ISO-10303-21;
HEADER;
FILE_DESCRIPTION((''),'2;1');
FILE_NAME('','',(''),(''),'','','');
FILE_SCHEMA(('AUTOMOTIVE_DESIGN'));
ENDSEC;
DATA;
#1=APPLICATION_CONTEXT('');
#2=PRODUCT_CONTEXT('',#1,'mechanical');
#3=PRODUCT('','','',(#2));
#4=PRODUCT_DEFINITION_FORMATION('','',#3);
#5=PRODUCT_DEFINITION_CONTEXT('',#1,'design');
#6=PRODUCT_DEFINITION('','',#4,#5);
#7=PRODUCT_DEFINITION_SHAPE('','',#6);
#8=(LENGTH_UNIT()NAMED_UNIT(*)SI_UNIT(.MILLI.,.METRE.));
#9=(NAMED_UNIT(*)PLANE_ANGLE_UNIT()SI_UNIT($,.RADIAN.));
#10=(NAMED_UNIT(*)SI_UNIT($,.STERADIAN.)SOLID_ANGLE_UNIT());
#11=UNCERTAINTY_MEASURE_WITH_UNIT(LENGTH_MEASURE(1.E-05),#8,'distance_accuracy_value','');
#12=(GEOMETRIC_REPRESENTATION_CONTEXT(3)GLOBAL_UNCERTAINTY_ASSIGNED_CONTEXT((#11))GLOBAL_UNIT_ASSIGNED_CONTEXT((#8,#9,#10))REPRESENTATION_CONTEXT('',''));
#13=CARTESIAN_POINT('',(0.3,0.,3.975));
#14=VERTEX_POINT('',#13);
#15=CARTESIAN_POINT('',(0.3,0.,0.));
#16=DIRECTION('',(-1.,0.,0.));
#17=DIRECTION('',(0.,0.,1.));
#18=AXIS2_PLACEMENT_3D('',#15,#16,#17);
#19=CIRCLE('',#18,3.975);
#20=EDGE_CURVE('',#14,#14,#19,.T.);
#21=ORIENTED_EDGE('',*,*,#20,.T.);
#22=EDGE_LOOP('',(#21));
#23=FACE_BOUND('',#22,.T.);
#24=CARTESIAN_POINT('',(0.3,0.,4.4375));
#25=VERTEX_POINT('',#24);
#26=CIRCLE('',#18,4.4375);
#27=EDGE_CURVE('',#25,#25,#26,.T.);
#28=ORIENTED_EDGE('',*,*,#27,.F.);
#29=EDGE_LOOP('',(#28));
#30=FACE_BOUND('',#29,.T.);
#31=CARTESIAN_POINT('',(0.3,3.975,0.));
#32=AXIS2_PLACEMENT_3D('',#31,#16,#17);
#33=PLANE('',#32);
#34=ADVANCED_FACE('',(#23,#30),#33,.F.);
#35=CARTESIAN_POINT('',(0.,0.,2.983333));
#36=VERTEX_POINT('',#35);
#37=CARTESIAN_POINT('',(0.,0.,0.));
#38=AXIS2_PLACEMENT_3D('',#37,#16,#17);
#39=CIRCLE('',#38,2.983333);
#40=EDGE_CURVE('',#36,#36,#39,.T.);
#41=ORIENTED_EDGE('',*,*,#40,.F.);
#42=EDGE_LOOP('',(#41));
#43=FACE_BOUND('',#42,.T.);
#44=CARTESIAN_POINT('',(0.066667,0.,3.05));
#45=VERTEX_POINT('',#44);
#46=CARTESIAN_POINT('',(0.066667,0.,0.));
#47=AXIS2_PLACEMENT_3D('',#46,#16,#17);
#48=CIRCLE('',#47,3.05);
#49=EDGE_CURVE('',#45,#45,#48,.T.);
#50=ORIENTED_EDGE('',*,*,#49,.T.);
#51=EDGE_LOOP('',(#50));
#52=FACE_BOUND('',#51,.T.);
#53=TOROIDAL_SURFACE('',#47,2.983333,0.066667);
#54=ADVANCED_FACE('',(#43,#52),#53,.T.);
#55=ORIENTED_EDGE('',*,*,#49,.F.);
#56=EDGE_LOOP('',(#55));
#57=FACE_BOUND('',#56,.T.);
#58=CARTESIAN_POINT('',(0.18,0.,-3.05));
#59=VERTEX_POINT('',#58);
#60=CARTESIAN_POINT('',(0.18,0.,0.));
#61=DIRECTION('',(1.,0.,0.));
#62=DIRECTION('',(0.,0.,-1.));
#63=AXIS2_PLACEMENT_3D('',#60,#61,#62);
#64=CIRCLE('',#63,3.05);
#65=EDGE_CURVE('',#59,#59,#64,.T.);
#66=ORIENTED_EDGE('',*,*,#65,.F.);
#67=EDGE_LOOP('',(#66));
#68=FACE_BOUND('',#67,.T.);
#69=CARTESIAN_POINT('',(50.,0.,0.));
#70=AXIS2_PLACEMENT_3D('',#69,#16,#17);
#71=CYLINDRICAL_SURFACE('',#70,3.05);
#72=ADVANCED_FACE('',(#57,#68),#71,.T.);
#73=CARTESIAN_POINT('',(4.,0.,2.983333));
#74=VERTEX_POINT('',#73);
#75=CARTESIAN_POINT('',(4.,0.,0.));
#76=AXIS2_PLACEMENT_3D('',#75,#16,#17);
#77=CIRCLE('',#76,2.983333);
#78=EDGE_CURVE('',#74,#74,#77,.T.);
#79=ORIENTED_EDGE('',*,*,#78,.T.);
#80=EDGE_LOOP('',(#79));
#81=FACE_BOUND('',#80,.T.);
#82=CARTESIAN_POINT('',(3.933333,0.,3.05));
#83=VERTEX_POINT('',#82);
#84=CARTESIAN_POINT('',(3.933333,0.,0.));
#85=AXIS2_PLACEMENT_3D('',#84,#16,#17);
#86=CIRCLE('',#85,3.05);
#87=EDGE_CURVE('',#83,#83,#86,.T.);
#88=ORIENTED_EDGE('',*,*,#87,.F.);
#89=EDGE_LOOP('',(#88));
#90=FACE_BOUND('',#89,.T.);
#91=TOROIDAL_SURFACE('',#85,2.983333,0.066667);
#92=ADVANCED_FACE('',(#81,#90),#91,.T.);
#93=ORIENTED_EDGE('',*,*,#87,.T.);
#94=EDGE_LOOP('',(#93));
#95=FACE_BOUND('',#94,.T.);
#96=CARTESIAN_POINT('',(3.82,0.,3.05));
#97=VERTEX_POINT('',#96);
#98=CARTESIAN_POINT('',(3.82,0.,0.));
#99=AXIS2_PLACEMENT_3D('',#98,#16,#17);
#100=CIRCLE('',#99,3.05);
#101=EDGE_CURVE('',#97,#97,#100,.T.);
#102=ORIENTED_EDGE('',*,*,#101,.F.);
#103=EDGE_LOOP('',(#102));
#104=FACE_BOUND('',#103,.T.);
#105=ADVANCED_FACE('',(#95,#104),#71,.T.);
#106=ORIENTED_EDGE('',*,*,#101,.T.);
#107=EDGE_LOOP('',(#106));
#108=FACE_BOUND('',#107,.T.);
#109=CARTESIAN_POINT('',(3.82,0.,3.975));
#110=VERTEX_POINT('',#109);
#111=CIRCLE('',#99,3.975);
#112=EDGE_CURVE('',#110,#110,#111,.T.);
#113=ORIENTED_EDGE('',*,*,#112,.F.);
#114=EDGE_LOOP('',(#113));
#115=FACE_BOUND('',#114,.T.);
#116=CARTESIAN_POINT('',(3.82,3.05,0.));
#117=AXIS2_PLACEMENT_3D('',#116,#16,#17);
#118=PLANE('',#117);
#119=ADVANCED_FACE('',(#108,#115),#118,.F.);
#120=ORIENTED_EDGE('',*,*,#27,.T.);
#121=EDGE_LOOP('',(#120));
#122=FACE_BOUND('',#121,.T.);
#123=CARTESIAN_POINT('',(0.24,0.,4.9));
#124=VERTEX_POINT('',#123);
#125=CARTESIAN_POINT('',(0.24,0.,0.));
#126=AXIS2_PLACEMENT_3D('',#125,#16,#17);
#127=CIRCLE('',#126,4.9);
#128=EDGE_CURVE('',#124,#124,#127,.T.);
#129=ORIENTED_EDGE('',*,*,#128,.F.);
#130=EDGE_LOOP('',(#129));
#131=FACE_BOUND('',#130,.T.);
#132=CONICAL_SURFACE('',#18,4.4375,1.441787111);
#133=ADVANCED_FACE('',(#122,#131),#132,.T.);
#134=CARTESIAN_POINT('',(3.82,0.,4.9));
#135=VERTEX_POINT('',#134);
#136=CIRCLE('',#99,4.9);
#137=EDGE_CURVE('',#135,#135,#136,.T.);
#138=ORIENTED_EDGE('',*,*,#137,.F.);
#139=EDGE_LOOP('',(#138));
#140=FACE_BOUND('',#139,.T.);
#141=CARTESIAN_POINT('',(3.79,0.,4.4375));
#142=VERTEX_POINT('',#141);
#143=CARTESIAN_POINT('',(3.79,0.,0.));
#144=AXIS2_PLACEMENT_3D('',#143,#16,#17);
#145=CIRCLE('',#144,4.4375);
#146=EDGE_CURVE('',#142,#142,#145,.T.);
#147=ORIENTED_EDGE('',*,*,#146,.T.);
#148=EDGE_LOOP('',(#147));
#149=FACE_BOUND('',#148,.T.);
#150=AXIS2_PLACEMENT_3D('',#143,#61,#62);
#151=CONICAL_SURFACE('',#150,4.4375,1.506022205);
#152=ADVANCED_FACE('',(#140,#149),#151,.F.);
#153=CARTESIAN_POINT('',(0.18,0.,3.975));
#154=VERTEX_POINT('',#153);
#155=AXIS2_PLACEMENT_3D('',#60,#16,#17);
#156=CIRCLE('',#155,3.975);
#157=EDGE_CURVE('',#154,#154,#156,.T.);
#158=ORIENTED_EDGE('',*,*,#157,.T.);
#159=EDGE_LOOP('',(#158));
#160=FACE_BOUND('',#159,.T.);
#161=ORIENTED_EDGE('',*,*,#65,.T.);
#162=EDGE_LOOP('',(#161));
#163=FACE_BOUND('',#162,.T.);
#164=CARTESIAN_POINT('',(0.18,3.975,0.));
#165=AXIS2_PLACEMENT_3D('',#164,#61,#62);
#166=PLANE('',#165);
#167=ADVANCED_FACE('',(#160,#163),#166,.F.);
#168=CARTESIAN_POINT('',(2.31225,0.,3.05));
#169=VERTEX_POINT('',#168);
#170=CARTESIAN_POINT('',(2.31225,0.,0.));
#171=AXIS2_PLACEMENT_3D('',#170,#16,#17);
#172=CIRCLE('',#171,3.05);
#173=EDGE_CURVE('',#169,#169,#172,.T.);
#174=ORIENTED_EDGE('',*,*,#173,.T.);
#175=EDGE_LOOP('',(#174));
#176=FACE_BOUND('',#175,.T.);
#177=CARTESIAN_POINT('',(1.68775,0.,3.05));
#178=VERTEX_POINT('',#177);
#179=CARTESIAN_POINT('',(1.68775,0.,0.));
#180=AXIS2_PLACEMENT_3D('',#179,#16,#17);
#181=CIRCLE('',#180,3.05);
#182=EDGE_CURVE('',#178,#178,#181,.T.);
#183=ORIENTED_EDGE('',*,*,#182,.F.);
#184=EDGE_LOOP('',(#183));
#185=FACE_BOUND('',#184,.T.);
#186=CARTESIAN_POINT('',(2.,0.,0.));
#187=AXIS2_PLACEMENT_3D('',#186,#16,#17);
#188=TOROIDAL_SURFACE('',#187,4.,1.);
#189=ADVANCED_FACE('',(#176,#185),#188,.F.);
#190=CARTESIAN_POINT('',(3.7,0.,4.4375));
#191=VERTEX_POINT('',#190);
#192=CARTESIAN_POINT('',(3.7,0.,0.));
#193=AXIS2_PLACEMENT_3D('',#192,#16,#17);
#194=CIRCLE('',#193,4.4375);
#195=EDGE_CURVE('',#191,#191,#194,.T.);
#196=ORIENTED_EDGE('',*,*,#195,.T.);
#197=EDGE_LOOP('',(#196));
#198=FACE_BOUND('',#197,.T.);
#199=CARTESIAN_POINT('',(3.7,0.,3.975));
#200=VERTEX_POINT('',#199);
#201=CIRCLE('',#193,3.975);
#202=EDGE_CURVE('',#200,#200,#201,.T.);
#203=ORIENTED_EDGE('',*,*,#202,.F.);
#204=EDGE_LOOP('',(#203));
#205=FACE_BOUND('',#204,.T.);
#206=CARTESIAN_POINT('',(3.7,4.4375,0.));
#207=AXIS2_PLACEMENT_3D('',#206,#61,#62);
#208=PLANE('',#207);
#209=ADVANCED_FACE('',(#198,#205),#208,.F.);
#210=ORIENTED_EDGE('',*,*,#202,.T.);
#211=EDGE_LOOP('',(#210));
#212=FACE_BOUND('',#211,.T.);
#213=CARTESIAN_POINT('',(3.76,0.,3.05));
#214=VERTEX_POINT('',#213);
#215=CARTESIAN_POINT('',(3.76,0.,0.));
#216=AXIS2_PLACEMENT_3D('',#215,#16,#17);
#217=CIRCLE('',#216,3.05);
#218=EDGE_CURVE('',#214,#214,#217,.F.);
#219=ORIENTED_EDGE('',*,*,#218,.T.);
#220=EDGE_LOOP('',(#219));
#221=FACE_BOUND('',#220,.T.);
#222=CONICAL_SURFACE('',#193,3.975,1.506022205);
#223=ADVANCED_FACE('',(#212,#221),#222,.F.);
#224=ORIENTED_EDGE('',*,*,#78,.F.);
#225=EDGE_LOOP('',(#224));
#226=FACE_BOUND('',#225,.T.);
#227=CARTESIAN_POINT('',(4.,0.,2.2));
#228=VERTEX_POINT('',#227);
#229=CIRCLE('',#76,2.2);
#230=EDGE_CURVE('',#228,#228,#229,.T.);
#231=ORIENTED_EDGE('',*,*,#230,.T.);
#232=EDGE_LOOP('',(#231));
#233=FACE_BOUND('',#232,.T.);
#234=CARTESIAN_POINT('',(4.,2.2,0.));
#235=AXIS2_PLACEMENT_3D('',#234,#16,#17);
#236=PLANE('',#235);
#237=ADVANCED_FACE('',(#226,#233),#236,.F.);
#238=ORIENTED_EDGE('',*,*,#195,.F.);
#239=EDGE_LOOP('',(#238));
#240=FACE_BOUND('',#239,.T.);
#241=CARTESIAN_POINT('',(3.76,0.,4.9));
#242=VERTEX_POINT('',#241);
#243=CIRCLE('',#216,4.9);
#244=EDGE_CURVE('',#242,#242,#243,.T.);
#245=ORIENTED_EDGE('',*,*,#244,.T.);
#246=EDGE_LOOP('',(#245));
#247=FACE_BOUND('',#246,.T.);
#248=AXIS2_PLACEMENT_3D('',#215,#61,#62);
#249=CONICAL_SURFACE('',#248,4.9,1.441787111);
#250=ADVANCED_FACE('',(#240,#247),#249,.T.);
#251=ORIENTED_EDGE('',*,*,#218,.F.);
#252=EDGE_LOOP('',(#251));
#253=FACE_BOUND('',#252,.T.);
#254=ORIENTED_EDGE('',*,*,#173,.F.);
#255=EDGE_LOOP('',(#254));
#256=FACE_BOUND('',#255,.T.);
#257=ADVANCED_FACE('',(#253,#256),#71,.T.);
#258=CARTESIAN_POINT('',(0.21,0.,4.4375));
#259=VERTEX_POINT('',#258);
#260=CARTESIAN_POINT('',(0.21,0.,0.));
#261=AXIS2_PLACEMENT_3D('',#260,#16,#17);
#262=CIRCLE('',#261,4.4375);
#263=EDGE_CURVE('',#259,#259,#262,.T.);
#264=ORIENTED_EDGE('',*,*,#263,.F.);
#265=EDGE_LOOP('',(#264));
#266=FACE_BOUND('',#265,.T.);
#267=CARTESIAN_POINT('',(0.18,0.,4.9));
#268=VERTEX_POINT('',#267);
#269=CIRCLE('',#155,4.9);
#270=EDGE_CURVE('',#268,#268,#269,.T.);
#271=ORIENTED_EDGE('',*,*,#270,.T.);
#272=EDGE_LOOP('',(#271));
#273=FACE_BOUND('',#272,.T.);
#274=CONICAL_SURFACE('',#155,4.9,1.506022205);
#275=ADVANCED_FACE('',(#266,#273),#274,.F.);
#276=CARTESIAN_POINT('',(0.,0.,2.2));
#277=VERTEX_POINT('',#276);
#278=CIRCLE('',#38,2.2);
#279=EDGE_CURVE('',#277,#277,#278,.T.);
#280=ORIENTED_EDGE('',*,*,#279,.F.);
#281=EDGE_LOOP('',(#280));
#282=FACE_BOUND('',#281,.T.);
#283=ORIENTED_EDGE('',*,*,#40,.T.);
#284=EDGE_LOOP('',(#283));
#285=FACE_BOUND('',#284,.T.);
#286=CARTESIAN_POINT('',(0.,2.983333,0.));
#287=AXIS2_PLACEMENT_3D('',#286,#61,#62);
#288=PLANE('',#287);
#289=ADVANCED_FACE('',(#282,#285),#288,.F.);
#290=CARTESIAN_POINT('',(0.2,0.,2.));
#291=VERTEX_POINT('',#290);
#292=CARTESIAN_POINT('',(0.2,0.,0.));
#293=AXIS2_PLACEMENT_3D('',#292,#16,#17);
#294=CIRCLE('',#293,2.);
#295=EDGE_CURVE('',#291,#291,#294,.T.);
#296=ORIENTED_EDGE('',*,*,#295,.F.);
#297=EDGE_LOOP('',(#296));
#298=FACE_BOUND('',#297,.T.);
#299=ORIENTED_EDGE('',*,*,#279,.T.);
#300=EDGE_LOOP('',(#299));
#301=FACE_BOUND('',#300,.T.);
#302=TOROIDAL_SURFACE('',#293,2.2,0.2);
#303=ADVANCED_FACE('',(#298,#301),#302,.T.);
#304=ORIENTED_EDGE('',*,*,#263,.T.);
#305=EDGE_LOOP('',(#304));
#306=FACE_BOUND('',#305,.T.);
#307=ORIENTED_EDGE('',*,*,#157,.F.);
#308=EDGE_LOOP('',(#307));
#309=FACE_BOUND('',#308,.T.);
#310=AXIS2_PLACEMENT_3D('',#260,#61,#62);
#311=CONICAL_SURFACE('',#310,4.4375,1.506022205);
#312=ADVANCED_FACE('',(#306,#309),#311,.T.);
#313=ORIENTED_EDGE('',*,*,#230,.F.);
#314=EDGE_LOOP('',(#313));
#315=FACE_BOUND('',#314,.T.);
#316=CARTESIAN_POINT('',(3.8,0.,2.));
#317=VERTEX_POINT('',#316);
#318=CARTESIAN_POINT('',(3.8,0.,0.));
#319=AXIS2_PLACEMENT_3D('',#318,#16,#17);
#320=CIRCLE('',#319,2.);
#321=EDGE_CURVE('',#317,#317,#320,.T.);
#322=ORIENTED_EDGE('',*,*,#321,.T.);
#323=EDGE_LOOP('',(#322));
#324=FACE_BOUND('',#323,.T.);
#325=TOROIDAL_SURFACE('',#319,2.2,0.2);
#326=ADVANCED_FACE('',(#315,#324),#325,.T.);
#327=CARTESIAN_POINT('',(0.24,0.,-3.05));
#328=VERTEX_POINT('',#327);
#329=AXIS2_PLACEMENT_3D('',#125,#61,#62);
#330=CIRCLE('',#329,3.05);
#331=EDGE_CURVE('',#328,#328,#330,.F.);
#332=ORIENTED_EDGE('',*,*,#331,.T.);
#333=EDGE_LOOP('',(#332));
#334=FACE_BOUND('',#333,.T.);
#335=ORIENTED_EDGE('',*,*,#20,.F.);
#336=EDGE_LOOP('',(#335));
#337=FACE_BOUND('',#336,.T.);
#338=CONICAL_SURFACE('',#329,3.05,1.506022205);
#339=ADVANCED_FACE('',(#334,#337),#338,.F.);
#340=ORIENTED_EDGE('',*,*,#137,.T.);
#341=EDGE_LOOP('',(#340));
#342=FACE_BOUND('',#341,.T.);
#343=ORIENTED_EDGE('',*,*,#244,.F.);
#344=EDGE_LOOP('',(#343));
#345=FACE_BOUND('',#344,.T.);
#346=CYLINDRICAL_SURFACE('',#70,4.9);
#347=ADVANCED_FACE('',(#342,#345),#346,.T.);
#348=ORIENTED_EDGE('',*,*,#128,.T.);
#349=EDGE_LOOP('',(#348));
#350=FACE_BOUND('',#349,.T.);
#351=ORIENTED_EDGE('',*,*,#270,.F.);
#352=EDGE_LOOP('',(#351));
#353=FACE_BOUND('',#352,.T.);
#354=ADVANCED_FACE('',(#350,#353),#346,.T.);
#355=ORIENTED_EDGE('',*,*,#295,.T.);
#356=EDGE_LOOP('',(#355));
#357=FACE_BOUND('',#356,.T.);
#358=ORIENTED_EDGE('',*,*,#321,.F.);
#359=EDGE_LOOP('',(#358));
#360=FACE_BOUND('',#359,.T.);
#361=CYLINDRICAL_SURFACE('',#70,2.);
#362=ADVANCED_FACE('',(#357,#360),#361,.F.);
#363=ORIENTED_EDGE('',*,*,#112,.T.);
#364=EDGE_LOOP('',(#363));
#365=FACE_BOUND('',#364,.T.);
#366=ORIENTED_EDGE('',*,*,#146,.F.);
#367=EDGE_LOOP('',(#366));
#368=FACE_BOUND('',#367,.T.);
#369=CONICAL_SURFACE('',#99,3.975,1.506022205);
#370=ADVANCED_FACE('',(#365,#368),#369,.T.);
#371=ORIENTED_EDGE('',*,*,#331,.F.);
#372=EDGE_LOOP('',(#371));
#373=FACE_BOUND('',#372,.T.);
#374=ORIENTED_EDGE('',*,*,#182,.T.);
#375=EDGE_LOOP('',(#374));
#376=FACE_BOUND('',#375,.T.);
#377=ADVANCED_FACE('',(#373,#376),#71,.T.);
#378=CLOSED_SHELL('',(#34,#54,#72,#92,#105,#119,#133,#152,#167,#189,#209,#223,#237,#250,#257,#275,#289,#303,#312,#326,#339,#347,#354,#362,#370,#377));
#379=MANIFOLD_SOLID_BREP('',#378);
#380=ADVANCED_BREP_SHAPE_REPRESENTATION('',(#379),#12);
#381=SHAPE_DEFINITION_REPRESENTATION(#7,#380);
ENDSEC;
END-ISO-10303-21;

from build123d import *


with BuildPart() as part:
    # Sketch1 → Revolução1 (revolve)
    with BuildSketch(Plane.XY, mode=Mode.PRIVATE) as revolu_o1_sk:
        with BuildLine():
            Line((0, 2.983333333), (0, 2.2))
            ThreePointArc((0, 2.2), (0.058578644, 2.058578644), (0.2, 2))
            Line((0.2, 2), (3.8, 2))
            ThreePointArc((3.8, 2), (3.941421356, 2.058578644), (4, 2.2))
            Line((4, 2.2), (4, 2.983333333))
            ThreePointArc((4, 2.983333333), (3.980473785, 3.030473785), (3.933333333, 3.05))
            Line((3.933333333, 3.05), (2.3122499, 3.05))
            ThreePointArc((2.3122499, 3.05), (2, 3), (1.6877501, 3.05))
            Line((1.6877501, 3.05), (0.066666667, 3.05))
            ThreePointArc((0.066666667, 3.05), (0.019526215, 3.030473785), (0, 2.983333333))
        make_face()
    revolve(revolu_o1_sk.sketch.rotate(Axis((50, 0, 0), (-1, 0, 0)), 270), axis=Axis((50, 0, 0), (-1, 0, 0)))

    # Sketch2 → Revolução2 (revolve)
    with BuildSketch(Plane.XY, mode=Mode.PRIVATE) as revolu_o2_sk:
        Polygon((0.18, 4.9), (0.21, 4.4375), (0.18, 3.975), (0.18, 3.05), (0.24, 3.05), (0.3, 3.975), (0.3, 4.4375), (0.24, 4.9), align=None)
    revolve(revolu_o2_sk.sketch.rotate(Axis((50, 0, 0), (-1, 0, 0)), 270), axis=Axis((50, 0, 0), (-1, 0, 0)))

    # Sketch3 → Revolução3 (revolve)
    with BuildSketch(Plane.XY, mode=Mode.PRIVATE) as revolu_o3_sk:
        Polygon((3.7, 4.4375), (3.7, 3.975), (3.76, 3.05), (3.82, 3.05), (3.82, 3.975), (3.79, 4.4375), (3.82, 4.9), (3.76, 4.9), align=None)
    revolve(revolu_o3_sk.sketch.rotate(Axis((50, 0, 0), (-1, 0, 0)), 270), axis=Axis((50, 0, 0), (-1, 0, 0)))


solid = part.part
